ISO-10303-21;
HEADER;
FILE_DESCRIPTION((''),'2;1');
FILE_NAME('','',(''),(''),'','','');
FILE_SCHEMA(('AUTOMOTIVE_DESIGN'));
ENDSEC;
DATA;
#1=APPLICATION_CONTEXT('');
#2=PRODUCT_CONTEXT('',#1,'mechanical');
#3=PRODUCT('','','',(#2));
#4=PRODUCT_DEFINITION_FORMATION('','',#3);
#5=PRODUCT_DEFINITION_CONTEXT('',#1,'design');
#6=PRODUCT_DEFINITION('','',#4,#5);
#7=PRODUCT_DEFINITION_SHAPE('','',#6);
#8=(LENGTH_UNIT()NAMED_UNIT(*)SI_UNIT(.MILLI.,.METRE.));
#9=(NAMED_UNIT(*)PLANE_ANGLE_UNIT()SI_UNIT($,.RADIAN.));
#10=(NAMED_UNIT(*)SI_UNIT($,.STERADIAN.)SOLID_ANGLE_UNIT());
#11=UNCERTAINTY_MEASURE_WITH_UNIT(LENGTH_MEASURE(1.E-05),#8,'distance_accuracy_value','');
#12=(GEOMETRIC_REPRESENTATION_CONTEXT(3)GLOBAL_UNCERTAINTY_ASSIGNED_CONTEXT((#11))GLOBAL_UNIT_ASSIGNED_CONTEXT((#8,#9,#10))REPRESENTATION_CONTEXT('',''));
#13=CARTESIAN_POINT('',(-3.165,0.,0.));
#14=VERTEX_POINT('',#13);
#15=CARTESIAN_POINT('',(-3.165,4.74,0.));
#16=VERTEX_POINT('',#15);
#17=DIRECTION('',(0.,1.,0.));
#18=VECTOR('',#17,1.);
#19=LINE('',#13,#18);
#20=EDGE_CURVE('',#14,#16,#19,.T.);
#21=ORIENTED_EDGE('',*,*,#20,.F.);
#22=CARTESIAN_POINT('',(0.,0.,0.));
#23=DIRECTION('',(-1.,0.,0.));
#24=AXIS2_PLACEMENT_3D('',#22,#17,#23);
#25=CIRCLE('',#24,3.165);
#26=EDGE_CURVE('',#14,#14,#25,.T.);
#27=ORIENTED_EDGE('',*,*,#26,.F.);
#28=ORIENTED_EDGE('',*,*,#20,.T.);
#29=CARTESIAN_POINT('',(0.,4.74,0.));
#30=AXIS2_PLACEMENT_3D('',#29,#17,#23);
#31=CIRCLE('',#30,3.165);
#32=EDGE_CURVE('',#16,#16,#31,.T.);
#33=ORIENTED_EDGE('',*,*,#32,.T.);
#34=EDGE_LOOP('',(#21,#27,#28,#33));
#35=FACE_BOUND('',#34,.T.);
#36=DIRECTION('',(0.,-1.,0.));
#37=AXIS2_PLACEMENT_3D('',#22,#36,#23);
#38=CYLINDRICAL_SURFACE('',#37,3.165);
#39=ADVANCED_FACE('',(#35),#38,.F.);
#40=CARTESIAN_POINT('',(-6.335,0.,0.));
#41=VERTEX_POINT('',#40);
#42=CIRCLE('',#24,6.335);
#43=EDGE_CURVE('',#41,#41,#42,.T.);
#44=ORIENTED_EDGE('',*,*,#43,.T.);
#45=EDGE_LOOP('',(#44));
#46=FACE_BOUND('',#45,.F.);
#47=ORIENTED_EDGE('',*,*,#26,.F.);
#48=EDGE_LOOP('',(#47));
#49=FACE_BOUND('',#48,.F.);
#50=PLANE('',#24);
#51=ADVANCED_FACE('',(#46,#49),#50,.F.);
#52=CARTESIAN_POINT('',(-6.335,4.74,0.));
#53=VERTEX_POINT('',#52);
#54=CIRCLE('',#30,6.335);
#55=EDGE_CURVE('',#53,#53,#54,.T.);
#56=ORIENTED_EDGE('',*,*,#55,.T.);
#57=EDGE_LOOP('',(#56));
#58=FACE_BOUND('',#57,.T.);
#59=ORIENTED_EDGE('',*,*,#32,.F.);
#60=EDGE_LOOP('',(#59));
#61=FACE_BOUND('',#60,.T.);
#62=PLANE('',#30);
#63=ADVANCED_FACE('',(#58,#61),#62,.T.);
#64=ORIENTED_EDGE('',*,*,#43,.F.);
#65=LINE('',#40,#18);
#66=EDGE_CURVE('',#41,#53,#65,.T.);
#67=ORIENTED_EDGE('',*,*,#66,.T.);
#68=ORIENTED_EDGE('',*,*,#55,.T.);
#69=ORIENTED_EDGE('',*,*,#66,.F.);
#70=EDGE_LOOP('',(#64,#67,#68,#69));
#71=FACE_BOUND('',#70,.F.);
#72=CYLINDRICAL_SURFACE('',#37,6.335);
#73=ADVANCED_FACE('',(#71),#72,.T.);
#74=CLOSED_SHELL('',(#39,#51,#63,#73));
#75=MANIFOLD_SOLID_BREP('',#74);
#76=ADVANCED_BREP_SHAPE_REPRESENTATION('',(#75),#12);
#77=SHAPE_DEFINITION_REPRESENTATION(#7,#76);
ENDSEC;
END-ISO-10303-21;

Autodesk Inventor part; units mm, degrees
ref_plane "YZ Plane" through (0, 0, 0) normal (1, 0, 0) x (0, 1, 0)
ref_plane "XZ Plane" through (0, 0, 0) normal (0, 1, 0) x (-1, 0, 0)
ref_plane "XY Plane" through (0, 0, 0) normal (0, 0, 1) x (1, 0, 0)
sketch "Sketch1" plane through (0, 0, 0) normal (0, 1, 0) x (-1, 0, 0)
  circle A0 centre (0, 0) radius 6.335
  circle A1 centre (0, 0) radius 3.165
  dimension "d0" = 12.67
  dimension "d1" = 6.33
extrude "Extrusion1" add sketch "Sketch1" along normal blind 4.74
properties part number "00_Bearing_US"
